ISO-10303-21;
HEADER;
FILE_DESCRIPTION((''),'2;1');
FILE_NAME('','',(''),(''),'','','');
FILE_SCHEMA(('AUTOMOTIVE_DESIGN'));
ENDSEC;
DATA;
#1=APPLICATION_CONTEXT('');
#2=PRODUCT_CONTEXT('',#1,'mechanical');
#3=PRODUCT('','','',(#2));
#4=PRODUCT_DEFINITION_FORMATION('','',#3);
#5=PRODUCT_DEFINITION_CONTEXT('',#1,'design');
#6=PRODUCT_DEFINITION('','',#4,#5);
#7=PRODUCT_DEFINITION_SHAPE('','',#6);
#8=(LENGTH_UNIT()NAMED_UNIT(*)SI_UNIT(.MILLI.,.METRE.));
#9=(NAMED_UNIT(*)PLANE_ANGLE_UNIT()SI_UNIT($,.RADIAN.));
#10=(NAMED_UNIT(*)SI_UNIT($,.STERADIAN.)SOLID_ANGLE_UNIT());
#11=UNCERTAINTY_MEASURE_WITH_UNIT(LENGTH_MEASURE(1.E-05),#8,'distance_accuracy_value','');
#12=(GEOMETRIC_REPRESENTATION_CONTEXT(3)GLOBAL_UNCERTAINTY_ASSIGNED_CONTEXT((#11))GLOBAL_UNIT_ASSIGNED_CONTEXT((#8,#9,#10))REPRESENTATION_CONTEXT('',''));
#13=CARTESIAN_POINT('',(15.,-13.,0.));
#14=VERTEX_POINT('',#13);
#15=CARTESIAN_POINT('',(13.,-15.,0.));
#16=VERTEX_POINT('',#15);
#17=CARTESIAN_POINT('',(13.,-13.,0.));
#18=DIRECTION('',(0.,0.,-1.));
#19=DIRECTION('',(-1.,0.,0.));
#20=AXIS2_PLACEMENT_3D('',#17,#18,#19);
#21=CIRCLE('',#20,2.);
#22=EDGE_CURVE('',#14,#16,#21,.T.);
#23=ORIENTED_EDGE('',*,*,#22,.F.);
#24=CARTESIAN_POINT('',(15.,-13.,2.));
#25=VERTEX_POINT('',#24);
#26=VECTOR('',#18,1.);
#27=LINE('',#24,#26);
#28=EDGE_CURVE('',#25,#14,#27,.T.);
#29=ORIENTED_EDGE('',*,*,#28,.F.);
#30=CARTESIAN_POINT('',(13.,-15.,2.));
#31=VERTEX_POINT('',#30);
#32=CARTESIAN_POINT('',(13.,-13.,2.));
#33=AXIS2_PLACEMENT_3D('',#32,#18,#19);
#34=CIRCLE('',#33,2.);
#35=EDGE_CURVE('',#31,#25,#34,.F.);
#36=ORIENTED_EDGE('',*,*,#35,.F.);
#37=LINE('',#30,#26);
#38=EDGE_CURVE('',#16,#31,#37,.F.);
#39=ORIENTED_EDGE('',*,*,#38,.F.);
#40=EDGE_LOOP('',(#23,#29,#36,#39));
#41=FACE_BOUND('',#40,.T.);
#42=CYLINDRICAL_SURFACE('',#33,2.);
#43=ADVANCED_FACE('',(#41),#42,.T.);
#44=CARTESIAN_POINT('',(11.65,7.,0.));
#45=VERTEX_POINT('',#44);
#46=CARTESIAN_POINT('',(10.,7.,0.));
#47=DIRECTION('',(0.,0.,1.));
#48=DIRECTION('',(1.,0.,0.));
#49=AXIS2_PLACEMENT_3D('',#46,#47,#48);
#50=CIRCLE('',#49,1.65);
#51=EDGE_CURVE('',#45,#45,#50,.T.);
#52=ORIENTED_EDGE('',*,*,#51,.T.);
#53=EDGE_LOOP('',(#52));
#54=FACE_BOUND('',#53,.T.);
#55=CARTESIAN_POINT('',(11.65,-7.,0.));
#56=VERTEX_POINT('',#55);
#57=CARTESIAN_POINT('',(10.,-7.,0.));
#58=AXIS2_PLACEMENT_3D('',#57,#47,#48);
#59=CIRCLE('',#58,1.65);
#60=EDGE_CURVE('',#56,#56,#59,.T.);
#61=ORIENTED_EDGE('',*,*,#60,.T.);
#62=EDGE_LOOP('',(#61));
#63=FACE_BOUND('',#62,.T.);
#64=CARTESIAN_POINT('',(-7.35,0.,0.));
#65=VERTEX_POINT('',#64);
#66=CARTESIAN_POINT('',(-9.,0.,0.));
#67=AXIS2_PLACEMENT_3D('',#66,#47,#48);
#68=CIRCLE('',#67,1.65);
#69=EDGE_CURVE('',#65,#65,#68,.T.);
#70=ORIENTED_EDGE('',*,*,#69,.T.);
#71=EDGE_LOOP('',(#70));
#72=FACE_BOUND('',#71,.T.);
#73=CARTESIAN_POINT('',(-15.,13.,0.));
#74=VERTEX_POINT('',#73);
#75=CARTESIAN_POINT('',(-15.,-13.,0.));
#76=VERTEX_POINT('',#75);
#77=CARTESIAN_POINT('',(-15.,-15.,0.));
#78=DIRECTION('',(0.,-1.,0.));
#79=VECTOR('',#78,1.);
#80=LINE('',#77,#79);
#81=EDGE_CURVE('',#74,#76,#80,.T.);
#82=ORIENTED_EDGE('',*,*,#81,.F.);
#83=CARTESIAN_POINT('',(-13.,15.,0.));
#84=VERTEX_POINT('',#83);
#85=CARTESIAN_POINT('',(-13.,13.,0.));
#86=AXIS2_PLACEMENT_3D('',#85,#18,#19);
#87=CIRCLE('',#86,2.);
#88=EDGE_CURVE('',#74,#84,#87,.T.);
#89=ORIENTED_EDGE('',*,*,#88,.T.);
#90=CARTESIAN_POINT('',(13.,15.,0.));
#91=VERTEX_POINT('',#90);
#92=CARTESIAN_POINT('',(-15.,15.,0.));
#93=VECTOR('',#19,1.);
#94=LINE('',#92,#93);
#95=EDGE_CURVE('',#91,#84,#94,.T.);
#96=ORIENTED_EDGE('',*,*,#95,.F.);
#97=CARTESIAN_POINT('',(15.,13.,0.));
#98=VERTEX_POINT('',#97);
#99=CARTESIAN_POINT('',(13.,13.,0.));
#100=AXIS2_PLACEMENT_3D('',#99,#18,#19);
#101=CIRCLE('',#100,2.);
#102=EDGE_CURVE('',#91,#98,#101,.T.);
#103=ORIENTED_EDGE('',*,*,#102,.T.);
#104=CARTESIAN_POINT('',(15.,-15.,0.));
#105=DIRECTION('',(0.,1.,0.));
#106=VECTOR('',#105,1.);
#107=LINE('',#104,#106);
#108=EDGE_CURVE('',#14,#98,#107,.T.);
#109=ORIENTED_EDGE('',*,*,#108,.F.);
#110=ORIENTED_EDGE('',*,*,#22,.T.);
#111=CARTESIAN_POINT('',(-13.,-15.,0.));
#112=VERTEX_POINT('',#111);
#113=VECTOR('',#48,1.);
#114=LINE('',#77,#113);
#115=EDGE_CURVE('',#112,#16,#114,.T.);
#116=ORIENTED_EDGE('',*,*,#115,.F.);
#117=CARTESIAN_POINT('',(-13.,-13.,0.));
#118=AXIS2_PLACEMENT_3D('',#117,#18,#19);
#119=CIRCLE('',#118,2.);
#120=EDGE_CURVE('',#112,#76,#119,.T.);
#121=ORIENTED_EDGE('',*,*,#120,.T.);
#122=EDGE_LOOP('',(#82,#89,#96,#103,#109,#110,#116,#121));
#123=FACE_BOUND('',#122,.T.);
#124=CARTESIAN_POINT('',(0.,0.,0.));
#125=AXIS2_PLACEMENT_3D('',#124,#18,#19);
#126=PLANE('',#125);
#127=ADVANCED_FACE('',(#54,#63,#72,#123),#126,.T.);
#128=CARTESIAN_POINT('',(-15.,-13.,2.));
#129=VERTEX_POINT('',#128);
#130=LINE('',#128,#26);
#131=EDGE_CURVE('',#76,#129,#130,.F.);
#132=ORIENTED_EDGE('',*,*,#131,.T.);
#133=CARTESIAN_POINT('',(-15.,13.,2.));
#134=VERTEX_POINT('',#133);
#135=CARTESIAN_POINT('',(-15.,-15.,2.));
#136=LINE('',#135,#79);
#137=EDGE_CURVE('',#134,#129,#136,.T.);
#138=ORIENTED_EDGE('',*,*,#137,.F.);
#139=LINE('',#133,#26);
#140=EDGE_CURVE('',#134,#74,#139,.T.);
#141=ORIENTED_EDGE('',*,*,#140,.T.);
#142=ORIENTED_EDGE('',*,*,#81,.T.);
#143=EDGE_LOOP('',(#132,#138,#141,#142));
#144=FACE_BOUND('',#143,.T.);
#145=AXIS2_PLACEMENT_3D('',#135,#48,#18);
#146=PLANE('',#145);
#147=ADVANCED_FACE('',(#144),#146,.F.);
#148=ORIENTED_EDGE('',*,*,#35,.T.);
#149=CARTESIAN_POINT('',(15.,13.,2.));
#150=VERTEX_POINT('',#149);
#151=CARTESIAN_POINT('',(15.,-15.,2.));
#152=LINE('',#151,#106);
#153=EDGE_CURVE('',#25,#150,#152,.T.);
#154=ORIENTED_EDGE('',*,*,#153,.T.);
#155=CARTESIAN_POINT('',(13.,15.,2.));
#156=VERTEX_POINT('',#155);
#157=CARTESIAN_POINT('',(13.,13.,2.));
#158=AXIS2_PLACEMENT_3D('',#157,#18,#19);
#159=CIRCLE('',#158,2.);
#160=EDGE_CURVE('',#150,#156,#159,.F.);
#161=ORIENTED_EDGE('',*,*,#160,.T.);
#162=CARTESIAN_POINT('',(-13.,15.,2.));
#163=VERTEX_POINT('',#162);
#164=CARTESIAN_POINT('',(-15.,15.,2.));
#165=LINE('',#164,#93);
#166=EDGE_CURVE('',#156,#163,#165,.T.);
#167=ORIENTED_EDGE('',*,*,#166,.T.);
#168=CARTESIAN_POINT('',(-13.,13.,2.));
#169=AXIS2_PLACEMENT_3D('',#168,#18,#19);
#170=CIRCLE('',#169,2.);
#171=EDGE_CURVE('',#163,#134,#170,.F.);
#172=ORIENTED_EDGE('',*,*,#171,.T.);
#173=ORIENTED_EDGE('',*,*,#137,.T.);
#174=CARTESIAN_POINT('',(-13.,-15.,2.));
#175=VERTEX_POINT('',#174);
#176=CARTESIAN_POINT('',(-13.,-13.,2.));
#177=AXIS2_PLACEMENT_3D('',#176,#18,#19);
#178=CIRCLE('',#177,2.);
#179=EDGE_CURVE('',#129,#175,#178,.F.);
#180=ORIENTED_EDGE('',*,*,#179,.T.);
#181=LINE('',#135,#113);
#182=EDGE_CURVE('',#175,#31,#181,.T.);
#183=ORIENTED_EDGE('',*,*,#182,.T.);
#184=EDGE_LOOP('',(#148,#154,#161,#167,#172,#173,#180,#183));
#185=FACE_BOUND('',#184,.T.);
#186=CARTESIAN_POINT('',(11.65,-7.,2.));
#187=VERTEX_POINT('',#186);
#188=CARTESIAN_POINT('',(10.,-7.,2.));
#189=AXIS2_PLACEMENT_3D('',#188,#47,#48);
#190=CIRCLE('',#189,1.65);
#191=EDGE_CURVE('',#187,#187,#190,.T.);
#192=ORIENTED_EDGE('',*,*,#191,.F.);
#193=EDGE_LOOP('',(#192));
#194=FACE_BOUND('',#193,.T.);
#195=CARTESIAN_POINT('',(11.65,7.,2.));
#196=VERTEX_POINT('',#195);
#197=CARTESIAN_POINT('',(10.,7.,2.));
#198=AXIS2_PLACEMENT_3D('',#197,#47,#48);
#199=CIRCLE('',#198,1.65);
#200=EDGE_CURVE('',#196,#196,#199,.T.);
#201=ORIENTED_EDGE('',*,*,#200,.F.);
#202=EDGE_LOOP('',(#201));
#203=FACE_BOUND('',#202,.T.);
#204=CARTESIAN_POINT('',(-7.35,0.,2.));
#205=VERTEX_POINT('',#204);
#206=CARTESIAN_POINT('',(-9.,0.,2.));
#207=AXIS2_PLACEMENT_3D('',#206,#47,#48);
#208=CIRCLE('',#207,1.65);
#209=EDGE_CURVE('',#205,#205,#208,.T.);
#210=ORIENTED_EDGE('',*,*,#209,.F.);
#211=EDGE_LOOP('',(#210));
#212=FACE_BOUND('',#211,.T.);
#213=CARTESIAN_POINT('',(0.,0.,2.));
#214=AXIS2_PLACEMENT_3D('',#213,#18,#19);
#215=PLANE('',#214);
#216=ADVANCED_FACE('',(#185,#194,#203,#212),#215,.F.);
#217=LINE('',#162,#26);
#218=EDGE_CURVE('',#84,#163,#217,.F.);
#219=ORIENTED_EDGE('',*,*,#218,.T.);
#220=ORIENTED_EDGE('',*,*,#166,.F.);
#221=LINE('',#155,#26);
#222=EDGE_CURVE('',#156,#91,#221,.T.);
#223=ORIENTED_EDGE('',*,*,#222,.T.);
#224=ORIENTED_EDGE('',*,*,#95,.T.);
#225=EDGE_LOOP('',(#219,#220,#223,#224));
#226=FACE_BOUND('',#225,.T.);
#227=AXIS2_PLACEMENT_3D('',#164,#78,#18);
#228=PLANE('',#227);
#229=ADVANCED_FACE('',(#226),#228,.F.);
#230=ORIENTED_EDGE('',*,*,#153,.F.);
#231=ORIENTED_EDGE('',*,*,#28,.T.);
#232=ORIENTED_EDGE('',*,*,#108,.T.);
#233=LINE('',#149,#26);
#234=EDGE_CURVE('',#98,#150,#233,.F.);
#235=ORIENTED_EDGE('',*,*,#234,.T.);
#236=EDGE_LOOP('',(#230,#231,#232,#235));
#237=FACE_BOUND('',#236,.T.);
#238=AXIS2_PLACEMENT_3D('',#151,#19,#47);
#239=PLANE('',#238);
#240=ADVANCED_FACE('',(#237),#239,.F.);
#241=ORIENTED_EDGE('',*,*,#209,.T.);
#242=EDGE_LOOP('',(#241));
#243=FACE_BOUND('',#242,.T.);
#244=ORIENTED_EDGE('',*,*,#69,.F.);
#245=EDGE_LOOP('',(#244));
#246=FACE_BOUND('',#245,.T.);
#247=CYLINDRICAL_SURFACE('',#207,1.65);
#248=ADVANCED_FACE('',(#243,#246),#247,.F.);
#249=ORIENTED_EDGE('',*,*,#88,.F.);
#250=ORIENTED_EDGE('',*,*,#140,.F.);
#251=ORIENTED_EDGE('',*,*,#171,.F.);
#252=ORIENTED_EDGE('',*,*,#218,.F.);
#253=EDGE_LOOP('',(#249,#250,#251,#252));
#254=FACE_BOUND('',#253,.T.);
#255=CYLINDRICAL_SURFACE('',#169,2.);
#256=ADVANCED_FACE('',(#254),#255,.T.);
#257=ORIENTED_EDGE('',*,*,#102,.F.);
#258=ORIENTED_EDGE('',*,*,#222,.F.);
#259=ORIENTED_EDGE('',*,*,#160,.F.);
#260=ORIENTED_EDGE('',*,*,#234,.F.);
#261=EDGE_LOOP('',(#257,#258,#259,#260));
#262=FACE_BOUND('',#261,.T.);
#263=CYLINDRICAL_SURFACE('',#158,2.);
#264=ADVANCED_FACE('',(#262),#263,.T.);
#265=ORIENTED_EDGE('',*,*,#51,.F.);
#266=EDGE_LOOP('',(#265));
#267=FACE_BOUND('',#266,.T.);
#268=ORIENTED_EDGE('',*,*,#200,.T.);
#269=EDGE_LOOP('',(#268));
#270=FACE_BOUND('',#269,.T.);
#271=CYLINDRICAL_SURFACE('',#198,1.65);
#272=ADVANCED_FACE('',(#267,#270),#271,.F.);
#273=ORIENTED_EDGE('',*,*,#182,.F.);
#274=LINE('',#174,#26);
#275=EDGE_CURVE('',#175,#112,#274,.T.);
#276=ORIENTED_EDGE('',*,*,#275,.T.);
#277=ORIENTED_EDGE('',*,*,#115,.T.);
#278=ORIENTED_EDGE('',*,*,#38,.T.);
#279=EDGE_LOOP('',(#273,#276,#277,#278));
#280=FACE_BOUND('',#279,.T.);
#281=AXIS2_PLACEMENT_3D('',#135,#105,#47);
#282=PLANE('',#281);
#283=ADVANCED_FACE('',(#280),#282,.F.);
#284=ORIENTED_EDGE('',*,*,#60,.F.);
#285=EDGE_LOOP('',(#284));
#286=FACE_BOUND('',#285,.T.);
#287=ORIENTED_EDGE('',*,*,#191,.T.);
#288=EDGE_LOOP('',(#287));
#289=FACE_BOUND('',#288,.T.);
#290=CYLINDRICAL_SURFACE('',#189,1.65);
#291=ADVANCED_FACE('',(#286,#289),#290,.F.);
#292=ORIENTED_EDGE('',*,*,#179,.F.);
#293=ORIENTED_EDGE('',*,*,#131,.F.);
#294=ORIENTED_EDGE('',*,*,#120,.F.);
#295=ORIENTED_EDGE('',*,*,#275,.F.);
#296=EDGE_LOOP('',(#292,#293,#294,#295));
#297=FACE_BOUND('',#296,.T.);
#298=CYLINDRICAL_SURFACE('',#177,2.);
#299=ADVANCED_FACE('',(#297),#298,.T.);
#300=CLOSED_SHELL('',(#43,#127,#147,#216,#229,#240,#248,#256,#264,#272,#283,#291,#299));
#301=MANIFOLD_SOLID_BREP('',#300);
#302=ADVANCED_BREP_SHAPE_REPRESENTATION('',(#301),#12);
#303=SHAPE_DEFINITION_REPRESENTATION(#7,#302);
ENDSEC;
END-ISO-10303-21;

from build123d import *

# Parameters (mm, degrees)
SKETCH1_W             = 30
SKETCH1_H             = 30
BOSS_EXTRUDE1_DEPTH   = 2
FILLET1_R             = 2
F_3_0MM_DOWEL_HOLE1_D = 3.3


with BuildPart() as part:
    # Sketch1 → Boss-Extrude1 (new body)
    with BuildSketch(Plane.XY):
        Rectangle(SKETCH1_W, SKETCH1_H)
    extrude(amount=BOSS_EXTRUDE1_DEPTH)

    # Fillet1
    fillet1_edges = [part.edges().sort_by_distance(p)[0] for p in [
        (15, -15, 1),
        (-15, -15, 1),
        (-15, 15, 1),
        (15, 15, 1),
    ]]
    fillet(fillet1_edges, radius=FILLET1_R)

    # Ø3.0mm Dowel Hole1 (through all)
    with Locations(Plane(origin=(-9, 0, 2), x_dir=(1, 0, 0), z_dir=(0, 0, 1))):
        with Locations((0, 0), (19, 7), (19, -7)):
            Hole(F_3_0MM_DOWEL_HOLE1_D / 2)


solid = part.part
